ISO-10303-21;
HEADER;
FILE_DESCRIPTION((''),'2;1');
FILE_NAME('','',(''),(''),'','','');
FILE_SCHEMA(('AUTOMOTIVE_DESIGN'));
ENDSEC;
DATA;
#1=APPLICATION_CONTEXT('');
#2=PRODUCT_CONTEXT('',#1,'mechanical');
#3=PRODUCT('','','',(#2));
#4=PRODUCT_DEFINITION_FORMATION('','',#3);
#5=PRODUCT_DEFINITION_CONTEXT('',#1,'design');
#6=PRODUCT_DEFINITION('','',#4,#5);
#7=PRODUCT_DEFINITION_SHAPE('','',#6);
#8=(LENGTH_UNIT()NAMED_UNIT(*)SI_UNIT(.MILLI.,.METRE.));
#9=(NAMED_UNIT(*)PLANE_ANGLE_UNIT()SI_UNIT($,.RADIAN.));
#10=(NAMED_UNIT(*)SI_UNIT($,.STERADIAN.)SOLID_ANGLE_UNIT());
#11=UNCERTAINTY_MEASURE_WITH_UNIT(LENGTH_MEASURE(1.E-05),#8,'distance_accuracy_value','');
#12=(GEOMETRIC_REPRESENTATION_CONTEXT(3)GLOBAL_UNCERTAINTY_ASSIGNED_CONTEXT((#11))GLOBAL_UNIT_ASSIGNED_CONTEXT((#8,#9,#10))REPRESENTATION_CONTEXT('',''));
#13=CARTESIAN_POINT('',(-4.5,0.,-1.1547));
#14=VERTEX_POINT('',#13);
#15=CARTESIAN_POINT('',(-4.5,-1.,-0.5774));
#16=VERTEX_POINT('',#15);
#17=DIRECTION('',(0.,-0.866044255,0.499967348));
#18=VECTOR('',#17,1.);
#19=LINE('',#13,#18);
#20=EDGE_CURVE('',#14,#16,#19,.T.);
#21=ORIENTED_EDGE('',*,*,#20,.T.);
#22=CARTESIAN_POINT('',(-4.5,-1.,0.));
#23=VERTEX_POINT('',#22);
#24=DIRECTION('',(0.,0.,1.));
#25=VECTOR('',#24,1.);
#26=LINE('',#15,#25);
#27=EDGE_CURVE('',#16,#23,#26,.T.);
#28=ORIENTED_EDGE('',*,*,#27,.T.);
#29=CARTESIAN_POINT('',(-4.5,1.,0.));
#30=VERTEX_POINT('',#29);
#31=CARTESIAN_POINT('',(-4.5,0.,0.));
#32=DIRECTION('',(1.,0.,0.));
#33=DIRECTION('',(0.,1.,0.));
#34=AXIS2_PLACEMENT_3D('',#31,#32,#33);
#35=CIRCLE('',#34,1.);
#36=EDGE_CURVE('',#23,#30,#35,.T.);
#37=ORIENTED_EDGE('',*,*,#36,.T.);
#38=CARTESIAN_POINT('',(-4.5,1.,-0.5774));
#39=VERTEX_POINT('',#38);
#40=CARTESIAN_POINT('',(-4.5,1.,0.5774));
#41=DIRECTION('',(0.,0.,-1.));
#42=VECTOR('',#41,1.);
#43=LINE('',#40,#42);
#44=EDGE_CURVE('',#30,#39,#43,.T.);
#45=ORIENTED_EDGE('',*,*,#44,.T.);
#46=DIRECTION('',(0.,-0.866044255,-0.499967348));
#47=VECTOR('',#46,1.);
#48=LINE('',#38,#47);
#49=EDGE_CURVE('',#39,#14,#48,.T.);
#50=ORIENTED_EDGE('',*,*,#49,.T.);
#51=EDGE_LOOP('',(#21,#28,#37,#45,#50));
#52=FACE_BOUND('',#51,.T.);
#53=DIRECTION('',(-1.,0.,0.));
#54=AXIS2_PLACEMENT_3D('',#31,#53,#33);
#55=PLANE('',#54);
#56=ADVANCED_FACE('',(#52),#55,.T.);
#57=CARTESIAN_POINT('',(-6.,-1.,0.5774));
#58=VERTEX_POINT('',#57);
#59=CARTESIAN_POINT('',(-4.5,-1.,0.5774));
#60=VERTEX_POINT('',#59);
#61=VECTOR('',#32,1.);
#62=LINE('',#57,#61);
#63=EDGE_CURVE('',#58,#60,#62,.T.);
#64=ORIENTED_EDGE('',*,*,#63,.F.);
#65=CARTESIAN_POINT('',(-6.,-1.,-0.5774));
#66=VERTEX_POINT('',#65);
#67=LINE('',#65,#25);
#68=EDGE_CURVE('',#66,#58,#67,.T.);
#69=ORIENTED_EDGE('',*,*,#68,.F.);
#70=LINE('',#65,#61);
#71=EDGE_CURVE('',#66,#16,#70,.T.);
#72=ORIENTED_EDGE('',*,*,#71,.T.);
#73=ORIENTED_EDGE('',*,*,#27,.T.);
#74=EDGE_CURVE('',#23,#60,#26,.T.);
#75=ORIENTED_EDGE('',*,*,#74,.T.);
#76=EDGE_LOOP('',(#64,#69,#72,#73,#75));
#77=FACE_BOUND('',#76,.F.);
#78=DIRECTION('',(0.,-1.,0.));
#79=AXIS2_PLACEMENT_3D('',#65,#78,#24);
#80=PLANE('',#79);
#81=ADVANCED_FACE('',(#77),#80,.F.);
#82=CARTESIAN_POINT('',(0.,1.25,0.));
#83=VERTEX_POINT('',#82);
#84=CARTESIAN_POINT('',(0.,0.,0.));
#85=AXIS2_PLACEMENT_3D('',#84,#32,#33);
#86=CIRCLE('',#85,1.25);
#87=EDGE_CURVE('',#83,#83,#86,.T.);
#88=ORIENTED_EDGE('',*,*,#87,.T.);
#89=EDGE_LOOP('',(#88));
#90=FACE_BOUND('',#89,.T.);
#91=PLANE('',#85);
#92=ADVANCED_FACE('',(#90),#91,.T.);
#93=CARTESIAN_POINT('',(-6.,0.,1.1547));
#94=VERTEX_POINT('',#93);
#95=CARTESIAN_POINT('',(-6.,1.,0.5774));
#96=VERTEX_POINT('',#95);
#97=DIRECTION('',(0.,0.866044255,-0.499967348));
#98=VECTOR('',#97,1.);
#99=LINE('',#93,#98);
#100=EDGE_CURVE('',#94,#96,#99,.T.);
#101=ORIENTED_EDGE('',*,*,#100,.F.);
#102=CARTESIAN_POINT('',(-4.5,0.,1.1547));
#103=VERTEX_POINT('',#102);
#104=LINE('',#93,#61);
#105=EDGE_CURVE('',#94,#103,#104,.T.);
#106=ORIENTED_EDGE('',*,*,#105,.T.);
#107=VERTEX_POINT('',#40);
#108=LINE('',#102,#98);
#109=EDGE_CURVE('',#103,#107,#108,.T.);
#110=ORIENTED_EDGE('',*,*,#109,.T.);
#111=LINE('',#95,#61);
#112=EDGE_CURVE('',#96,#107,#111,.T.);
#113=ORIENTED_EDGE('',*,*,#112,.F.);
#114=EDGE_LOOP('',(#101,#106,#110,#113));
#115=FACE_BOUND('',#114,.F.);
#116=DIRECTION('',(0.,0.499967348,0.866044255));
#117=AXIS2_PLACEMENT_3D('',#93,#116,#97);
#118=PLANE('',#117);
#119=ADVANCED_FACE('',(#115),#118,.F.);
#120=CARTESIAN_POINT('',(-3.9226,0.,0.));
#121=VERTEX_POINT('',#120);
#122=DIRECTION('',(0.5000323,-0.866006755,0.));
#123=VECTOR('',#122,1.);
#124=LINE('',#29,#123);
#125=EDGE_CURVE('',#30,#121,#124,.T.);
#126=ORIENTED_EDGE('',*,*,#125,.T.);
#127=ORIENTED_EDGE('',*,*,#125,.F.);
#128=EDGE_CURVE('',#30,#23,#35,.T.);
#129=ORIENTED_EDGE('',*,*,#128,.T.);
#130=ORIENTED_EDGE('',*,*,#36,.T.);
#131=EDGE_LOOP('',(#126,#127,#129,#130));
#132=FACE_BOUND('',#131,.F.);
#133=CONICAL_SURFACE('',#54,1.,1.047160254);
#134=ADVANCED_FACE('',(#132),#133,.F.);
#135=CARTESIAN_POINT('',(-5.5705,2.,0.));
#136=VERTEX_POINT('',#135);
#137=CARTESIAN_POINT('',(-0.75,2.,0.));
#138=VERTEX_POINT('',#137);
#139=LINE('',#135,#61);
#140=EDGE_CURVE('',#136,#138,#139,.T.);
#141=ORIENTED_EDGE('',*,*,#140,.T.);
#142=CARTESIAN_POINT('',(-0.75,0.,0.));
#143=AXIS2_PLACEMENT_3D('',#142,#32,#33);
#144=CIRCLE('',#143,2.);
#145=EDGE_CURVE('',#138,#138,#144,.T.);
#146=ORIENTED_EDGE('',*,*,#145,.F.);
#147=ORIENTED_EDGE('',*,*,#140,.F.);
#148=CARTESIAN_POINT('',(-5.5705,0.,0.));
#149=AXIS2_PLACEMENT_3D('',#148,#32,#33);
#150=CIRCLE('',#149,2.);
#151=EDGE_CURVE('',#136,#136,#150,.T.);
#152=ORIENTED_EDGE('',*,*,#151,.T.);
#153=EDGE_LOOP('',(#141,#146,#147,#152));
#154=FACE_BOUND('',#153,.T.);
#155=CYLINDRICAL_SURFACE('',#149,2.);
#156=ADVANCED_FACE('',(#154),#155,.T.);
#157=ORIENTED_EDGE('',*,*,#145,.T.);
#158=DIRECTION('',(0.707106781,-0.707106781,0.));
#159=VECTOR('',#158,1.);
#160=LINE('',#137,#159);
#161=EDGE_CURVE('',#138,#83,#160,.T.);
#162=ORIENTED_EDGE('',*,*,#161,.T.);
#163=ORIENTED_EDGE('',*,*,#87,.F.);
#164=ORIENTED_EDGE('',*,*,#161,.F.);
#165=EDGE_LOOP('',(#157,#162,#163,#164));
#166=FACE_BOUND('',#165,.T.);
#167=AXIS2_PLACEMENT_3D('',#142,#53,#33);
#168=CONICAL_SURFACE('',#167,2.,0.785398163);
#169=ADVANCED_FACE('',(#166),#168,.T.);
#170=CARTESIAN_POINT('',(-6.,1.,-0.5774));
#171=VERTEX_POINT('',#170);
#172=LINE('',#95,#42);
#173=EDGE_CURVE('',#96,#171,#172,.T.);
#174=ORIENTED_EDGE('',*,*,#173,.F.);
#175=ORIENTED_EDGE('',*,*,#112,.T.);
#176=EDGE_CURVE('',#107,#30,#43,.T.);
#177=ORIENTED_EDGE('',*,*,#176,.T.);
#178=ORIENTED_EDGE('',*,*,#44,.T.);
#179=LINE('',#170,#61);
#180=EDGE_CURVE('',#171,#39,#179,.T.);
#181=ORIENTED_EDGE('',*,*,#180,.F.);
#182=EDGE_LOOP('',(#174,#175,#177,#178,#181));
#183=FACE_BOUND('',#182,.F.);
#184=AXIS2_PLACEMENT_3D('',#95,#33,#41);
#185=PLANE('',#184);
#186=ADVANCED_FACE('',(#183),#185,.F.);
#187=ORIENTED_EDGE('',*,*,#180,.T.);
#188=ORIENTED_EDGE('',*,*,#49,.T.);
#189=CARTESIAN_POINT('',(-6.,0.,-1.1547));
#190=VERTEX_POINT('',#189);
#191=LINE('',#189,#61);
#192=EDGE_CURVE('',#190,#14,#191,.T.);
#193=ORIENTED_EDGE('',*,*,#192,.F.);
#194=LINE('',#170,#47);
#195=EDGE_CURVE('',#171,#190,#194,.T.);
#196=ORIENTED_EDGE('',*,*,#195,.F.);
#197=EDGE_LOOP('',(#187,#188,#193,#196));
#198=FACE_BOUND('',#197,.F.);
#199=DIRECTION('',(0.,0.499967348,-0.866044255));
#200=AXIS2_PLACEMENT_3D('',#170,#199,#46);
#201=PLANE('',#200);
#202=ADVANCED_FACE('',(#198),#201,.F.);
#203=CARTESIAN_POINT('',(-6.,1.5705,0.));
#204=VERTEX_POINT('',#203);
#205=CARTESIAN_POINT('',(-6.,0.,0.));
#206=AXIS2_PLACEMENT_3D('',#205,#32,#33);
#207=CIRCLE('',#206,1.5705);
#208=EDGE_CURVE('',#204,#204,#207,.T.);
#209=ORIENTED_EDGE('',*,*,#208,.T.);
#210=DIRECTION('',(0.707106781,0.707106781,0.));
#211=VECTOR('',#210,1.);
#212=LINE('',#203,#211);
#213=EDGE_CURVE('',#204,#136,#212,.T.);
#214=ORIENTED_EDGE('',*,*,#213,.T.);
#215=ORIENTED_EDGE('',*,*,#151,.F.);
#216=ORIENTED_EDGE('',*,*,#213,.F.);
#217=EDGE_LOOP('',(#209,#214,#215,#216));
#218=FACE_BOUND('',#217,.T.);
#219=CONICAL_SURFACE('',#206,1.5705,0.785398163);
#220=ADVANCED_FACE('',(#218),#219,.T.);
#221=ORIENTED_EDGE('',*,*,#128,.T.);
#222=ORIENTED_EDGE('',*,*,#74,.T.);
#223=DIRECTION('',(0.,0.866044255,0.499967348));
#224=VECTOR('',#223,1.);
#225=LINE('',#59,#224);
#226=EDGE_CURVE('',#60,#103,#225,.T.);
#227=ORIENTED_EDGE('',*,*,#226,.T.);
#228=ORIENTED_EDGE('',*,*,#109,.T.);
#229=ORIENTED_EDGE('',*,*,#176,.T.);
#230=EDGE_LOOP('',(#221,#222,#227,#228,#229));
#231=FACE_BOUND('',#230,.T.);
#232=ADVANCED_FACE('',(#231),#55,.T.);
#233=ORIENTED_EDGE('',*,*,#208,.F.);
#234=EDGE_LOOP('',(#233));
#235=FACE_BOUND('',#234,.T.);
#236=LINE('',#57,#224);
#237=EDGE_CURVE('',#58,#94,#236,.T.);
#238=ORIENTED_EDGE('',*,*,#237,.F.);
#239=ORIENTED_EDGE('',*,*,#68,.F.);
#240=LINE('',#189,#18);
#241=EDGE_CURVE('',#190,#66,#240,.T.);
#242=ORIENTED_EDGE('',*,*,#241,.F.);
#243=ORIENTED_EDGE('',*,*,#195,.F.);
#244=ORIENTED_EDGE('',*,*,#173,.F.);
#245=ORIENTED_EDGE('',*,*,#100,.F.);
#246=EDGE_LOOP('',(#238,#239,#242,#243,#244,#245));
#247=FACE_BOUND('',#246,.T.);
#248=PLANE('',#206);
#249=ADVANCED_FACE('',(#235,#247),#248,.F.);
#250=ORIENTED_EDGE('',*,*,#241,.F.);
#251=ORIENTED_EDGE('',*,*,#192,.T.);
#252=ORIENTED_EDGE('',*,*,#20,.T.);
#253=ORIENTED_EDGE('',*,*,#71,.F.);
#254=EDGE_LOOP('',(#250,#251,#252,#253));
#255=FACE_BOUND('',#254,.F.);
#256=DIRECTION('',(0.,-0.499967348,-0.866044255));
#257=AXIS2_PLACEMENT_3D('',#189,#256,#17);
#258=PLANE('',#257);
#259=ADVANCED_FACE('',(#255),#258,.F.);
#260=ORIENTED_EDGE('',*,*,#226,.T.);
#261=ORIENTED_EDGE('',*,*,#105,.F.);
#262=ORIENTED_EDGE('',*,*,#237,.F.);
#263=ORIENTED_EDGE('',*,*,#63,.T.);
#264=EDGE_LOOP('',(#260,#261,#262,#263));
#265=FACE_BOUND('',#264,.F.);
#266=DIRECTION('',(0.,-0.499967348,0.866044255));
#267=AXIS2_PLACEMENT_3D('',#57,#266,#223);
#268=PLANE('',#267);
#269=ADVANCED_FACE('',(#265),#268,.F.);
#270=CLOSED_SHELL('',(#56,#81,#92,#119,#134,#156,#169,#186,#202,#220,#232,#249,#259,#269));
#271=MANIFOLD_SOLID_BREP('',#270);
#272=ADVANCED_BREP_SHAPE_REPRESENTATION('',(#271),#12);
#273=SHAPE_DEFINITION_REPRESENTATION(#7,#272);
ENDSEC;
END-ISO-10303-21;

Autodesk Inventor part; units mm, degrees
sketch "Sketch_1" plane through (0, 0, 0) normal (0, 0, 1) x (1, 0, 0)
  line L0 (0, 0) -> (-6, 0)
  line L1 (-6, 0) -> (-6, 1.5705)
  line L2 (-6, 1.5705) -> (-5.5705, 2)
  line L3 (-5.5705, 2) -> (-0.75, 2)
  line L4 (-0.75, 2) -> (0, 1.25)
  line L5 (0, 1.25) -> (0, 0)
  line L6 (0, 0) -> (-6, 0)
revolve "Revolution1" add sketch "Sketch_1" angle 360 about axis through (0, 0, 0) along (1, 0, 0)
thread "Thread1" size "M4x0.7" class "6g" standard "ISO Metric profile" full length
sketch "Sketch_2" plane through (-6, 0, 0) normal (-1, 0, 0) x (0, 1, 0)
  line L0 (-1, -0.5774) -> (0, -1.1547)
  line L1 (0, -1.1547) -> (1, -0.5774)
  line L2 (1, -0.5774) -> (1, 0.5774)
  line L3 (1, 0.5774) -> (0, 1.1547)
  line L4 (0, 1.1547) -> (-1, 0.5774)
  line L5 (-1, 0.5774) -> (-1, -0.5774)
extrude "Extrusion1" cut sketch "Sketch_2" against normal blind 1.5
sketch "Sketch_3" plane through (0, 0, 0) normal (0, 0, 1) x (1, 0, 0)
  line L0 (-3.9226, 0) -> (-4.5, 0)
  line L1 (-4.5, 0) -> (-4.5, 1)
  line L2 (-4.5, 1) -> (-3.9226, 0)
  line L3 (-3.9226, 0) -> (-4.5, 0)
revolve "Revolution2" cut sketch "Sketch_3" angle 360 about axis through (-3.9226, 0, 0) along (1, 0, 0)
ref_plane "CP_XY" through (0, 0, 0) normal (1, 0, 0) x (0, 0, -1)
ref_plane "CP_YZ" through (0, 0, 0) normal (0, 0, -1) x (0, 1, 0)
ref_plane "CP_ZX" through (0, 0, 0) normal (0, 1, 0) x (1, 0, 0)
properties part number "SET-SCREW4-6"
